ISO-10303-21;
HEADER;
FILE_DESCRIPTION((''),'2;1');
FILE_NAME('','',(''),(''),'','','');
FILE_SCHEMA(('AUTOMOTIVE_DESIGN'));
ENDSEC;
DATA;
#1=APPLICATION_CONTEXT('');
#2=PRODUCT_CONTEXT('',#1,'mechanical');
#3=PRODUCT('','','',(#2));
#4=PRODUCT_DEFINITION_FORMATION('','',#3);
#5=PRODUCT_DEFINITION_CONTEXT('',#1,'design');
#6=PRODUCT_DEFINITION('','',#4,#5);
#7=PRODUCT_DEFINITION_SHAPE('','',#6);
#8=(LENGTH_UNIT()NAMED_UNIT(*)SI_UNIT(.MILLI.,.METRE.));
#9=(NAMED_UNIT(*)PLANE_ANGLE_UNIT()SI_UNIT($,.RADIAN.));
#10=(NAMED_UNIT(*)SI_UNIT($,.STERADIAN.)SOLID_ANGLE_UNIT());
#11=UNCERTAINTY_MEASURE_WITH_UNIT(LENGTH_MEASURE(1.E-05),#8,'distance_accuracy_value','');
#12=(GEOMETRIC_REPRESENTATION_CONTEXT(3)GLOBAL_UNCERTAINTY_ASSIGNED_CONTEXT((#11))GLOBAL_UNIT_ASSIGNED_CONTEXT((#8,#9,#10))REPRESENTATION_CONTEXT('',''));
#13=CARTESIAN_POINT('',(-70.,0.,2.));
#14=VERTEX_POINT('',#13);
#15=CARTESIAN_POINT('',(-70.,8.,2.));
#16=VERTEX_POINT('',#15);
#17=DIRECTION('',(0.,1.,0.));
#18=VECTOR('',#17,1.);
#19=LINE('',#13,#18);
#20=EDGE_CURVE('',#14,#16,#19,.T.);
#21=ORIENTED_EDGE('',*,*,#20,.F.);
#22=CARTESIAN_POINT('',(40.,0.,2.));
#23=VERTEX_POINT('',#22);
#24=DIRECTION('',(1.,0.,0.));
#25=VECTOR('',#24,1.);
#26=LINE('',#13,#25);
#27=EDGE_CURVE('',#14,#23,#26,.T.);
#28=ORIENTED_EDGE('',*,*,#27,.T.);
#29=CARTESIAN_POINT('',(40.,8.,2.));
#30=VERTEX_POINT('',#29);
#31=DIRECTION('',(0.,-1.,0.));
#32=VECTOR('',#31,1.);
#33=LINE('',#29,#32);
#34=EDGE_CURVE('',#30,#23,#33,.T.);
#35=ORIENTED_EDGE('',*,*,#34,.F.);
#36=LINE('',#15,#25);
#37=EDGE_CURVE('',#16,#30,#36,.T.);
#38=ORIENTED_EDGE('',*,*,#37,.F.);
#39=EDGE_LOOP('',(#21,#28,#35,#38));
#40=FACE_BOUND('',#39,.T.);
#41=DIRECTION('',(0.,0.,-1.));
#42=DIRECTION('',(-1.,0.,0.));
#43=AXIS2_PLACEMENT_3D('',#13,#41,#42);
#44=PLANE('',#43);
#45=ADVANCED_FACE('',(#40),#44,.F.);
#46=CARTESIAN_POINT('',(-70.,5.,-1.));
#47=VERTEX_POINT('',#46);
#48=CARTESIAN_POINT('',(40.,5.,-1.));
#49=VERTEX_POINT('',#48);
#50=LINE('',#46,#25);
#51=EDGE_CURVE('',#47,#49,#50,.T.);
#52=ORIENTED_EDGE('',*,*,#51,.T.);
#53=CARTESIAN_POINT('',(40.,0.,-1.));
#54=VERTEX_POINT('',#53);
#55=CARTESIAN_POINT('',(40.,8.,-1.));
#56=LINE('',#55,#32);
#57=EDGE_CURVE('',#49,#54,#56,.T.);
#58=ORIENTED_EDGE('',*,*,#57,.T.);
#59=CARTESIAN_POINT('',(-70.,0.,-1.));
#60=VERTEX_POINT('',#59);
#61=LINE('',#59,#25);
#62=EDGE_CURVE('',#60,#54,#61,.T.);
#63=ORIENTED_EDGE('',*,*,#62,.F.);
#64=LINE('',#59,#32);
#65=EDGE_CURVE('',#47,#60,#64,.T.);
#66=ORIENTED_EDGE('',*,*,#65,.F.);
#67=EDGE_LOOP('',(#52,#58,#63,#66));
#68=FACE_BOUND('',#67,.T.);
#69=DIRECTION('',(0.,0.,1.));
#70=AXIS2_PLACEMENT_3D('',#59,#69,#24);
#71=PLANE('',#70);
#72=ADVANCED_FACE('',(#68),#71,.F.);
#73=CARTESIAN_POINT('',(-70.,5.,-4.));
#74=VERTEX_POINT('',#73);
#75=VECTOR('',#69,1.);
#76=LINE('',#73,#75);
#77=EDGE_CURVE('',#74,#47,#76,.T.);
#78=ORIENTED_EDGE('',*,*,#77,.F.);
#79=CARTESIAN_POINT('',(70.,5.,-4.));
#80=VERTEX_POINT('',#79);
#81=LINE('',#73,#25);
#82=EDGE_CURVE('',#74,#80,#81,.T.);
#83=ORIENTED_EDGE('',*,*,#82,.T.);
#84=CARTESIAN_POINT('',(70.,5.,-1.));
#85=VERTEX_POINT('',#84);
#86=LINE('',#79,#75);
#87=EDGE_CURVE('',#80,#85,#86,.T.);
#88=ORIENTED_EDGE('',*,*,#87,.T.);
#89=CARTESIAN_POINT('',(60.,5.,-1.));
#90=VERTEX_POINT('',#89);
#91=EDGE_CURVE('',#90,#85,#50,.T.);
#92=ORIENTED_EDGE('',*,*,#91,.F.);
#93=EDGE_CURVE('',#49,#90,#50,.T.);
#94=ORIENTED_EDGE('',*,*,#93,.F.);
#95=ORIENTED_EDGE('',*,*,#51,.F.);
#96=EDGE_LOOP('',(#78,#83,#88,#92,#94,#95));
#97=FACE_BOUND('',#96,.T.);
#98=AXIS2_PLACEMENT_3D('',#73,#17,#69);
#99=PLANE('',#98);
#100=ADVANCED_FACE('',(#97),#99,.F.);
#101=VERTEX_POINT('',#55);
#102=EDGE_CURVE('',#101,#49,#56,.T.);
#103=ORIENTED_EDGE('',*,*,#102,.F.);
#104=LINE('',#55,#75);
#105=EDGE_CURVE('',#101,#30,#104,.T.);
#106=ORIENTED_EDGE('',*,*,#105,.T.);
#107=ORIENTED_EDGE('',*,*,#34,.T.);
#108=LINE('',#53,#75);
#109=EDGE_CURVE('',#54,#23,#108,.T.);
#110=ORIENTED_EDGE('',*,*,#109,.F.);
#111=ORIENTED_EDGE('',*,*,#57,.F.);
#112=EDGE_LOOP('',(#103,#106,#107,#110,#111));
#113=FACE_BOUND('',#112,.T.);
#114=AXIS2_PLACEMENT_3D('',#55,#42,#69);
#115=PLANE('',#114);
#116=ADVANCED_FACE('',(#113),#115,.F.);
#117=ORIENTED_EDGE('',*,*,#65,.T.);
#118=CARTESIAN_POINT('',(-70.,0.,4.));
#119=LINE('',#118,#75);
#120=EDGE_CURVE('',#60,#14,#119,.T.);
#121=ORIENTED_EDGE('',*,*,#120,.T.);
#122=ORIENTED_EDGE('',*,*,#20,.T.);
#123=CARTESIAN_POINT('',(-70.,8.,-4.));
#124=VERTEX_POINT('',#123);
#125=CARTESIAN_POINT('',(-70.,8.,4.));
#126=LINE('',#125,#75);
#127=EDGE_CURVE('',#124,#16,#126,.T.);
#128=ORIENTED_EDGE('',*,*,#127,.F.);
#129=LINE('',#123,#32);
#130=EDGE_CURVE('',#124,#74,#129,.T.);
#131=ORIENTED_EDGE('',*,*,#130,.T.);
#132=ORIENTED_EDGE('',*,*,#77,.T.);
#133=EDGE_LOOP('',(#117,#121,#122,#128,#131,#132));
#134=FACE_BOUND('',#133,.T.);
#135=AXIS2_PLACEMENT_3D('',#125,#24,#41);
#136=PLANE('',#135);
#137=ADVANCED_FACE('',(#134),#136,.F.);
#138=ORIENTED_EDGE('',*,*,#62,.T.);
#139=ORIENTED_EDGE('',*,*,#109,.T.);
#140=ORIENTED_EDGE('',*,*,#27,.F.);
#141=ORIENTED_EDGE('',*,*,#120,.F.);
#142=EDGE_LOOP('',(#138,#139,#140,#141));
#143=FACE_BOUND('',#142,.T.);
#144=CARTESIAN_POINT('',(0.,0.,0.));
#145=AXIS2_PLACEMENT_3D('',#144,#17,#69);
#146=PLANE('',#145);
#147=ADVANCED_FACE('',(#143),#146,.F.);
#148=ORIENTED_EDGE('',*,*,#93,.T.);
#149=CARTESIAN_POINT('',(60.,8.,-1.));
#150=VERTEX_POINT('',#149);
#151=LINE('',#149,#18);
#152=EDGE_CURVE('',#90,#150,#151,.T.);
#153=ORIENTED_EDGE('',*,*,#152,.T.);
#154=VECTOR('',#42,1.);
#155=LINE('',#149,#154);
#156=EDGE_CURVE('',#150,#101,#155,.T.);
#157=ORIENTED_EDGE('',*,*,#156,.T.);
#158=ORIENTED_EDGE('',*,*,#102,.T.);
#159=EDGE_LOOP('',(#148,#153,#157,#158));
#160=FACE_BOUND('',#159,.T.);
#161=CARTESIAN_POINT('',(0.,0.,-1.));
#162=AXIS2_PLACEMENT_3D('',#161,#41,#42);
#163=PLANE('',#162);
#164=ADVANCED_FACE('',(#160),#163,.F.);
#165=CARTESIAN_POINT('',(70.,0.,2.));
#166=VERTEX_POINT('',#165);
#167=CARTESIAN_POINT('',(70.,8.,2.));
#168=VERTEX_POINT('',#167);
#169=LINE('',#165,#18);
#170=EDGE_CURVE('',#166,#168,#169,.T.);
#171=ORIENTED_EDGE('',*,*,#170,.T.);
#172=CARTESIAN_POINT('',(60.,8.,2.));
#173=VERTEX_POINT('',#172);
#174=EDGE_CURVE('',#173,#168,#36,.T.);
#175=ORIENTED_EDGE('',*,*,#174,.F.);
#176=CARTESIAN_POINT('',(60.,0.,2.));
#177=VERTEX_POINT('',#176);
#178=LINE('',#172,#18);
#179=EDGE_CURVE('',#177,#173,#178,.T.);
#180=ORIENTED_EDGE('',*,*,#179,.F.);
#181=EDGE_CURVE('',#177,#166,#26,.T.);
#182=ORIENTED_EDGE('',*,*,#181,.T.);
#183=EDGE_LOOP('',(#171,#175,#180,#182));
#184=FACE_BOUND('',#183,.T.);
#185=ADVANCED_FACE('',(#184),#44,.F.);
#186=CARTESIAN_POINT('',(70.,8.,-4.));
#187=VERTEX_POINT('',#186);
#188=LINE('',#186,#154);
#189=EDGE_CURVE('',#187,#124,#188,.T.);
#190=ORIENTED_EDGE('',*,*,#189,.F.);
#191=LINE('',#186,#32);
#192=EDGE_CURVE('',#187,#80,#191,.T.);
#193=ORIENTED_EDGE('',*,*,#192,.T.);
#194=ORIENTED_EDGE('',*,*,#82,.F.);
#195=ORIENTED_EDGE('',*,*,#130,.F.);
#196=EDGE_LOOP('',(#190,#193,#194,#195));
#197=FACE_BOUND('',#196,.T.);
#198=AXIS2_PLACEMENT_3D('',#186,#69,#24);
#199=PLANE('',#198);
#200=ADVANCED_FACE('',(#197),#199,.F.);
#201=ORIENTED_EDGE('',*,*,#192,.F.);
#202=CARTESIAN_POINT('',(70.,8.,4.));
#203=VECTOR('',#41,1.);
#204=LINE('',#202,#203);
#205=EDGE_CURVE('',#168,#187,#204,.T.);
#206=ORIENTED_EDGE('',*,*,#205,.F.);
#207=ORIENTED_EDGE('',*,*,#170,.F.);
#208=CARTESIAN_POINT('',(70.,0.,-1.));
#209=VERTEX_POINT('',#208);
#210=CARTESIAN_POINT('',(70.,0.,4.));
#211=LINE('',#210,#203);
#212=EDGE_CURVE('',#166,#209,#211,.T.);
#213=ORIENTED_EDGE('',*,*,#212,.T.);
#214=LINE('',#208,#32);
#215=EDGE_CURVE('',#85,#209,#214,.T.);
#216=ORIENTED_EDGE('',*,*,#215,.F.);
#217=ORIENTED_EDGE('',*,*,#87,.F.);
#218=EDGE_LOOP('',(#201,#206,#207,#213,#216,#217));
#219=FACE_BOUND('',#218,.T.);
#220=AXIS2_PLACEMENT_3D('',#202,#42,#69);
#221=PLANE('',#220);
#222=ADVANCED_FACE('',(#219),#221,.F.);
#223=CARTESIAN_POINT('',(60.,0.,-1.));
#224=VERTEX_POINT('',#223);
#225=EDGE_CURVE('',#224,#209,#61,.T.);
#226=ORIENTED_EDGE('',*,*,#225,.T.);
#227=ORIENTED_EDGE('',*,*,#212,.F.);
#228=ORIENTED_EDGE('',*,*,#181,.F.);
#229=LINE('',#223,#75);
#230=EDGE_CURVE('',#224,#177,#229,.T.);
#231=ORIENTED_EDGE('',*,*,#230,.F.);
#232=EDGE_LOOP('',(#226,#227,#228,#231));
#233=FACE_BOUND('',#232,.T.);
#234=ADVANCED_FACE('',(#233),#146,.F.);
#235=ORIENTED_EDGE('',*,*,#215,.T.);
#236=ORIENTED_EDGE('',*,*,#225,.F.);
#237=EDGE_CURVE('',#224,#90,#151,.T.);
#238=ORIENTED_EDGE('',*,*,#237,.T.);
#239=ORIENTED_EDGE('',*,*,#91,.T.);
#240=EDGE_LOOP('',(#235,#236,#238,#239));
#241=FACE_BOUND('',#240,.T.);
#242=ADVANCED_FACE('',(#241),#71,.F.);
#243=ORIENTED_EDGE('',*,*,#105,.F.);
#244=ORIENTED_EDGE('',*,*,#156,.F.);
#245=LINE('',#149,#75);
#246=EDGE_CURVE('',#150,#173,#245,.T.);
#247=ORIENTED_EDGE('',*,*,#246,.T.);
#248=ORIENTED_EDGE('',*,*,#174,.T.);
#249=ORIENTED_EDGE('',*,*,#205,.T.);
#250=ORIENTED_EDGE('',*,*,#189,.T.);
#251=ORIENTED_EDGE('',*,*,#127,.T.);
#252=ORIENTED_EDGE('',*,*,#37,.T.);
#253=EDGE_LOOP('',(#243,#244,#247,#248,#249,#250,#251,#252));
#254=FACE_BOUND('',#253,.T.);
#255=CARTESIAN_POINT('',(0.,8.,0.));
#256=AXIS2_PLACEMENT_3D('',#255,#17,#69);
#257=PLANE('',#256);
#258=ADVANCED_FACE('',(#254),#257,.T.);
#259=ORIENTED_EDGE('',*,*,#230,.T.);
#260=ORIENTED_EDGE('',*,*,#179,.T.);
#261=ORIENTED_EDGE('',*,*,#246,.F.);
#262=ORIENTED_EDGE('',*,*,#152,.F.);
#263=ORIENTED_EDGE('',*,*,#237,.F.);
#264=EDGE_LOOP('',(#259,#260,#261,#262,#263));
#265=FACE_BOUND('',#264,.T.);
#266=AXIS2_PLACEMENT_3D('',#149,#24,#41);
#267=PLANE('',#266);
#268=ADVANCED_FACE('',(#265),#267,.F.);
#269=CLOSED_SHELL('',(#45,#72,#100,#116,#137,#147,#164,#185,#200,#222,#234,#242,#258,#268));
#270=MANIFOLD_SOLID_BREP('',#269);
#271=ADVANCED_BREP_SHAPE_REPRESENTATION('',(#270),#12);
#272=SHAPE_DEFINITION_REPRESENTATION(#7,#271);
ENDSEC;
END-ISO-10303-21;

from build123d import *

# Parameters (mm, degrees)
SKETCH1_W           = 140
SKETCH1_H           = 8
BOSS_EXTRUDE1_DEPTH = 8
SKETCH2_W           = 3
SKETCH2_H           = 5
SKETCH2_W_2         = 2
SKETCH2_H_2         = 8
CUT_EXTRUDE1_DEPTH  = 140
SKETCH4_W           = 20
SKETCH4_H           = 8
CUT_EXTRUDE2_DEPTH  = 3


with BuildPart() as part:
    # Sketch1 → Boss-Extrude1 (new body)
    with BuildSketch(Plane(origin=(0, 0, 0), x_dir=(1, 0, 0), z_dir=(0, 1, 0))):
        Rectangle(SKETCH1_W, SKETCH1_H)
    extrude(amount=BOSS_EXTRUDE1_DEPTH)

    # Sketch2 → Cut-Extrude1 (cut)
    with BuildSketch(Plane(origin=(70, 0, 0), x_dir=(0, 0, -1), z_dir=(1, 0, 0))):
        with Locations((2.5, 2.5)):
            Rectangle(SKETCH2_W, SKETCH2_H)
        with Locations((-3, 4)):
            Rectangle(SKETCH2_W_2, SKETCH2_H_2)
    extrude(amount=-CUT_EXTRUDE1_DEPTH, mode=Mode.SUBTRACT)

    # Sketch4 → Cut-Extrude2 (cut)
    with BuildSketch(Plane.XY.offset(2)):
        with Locations((50, 4)):
            Rectangle(SKETCH4_W, SKETCH4_H)
    extrude(amount=-CUT_EXTRUDE2_DEPTH, mode=Mode.SUBTRACT)


solid = part.part
